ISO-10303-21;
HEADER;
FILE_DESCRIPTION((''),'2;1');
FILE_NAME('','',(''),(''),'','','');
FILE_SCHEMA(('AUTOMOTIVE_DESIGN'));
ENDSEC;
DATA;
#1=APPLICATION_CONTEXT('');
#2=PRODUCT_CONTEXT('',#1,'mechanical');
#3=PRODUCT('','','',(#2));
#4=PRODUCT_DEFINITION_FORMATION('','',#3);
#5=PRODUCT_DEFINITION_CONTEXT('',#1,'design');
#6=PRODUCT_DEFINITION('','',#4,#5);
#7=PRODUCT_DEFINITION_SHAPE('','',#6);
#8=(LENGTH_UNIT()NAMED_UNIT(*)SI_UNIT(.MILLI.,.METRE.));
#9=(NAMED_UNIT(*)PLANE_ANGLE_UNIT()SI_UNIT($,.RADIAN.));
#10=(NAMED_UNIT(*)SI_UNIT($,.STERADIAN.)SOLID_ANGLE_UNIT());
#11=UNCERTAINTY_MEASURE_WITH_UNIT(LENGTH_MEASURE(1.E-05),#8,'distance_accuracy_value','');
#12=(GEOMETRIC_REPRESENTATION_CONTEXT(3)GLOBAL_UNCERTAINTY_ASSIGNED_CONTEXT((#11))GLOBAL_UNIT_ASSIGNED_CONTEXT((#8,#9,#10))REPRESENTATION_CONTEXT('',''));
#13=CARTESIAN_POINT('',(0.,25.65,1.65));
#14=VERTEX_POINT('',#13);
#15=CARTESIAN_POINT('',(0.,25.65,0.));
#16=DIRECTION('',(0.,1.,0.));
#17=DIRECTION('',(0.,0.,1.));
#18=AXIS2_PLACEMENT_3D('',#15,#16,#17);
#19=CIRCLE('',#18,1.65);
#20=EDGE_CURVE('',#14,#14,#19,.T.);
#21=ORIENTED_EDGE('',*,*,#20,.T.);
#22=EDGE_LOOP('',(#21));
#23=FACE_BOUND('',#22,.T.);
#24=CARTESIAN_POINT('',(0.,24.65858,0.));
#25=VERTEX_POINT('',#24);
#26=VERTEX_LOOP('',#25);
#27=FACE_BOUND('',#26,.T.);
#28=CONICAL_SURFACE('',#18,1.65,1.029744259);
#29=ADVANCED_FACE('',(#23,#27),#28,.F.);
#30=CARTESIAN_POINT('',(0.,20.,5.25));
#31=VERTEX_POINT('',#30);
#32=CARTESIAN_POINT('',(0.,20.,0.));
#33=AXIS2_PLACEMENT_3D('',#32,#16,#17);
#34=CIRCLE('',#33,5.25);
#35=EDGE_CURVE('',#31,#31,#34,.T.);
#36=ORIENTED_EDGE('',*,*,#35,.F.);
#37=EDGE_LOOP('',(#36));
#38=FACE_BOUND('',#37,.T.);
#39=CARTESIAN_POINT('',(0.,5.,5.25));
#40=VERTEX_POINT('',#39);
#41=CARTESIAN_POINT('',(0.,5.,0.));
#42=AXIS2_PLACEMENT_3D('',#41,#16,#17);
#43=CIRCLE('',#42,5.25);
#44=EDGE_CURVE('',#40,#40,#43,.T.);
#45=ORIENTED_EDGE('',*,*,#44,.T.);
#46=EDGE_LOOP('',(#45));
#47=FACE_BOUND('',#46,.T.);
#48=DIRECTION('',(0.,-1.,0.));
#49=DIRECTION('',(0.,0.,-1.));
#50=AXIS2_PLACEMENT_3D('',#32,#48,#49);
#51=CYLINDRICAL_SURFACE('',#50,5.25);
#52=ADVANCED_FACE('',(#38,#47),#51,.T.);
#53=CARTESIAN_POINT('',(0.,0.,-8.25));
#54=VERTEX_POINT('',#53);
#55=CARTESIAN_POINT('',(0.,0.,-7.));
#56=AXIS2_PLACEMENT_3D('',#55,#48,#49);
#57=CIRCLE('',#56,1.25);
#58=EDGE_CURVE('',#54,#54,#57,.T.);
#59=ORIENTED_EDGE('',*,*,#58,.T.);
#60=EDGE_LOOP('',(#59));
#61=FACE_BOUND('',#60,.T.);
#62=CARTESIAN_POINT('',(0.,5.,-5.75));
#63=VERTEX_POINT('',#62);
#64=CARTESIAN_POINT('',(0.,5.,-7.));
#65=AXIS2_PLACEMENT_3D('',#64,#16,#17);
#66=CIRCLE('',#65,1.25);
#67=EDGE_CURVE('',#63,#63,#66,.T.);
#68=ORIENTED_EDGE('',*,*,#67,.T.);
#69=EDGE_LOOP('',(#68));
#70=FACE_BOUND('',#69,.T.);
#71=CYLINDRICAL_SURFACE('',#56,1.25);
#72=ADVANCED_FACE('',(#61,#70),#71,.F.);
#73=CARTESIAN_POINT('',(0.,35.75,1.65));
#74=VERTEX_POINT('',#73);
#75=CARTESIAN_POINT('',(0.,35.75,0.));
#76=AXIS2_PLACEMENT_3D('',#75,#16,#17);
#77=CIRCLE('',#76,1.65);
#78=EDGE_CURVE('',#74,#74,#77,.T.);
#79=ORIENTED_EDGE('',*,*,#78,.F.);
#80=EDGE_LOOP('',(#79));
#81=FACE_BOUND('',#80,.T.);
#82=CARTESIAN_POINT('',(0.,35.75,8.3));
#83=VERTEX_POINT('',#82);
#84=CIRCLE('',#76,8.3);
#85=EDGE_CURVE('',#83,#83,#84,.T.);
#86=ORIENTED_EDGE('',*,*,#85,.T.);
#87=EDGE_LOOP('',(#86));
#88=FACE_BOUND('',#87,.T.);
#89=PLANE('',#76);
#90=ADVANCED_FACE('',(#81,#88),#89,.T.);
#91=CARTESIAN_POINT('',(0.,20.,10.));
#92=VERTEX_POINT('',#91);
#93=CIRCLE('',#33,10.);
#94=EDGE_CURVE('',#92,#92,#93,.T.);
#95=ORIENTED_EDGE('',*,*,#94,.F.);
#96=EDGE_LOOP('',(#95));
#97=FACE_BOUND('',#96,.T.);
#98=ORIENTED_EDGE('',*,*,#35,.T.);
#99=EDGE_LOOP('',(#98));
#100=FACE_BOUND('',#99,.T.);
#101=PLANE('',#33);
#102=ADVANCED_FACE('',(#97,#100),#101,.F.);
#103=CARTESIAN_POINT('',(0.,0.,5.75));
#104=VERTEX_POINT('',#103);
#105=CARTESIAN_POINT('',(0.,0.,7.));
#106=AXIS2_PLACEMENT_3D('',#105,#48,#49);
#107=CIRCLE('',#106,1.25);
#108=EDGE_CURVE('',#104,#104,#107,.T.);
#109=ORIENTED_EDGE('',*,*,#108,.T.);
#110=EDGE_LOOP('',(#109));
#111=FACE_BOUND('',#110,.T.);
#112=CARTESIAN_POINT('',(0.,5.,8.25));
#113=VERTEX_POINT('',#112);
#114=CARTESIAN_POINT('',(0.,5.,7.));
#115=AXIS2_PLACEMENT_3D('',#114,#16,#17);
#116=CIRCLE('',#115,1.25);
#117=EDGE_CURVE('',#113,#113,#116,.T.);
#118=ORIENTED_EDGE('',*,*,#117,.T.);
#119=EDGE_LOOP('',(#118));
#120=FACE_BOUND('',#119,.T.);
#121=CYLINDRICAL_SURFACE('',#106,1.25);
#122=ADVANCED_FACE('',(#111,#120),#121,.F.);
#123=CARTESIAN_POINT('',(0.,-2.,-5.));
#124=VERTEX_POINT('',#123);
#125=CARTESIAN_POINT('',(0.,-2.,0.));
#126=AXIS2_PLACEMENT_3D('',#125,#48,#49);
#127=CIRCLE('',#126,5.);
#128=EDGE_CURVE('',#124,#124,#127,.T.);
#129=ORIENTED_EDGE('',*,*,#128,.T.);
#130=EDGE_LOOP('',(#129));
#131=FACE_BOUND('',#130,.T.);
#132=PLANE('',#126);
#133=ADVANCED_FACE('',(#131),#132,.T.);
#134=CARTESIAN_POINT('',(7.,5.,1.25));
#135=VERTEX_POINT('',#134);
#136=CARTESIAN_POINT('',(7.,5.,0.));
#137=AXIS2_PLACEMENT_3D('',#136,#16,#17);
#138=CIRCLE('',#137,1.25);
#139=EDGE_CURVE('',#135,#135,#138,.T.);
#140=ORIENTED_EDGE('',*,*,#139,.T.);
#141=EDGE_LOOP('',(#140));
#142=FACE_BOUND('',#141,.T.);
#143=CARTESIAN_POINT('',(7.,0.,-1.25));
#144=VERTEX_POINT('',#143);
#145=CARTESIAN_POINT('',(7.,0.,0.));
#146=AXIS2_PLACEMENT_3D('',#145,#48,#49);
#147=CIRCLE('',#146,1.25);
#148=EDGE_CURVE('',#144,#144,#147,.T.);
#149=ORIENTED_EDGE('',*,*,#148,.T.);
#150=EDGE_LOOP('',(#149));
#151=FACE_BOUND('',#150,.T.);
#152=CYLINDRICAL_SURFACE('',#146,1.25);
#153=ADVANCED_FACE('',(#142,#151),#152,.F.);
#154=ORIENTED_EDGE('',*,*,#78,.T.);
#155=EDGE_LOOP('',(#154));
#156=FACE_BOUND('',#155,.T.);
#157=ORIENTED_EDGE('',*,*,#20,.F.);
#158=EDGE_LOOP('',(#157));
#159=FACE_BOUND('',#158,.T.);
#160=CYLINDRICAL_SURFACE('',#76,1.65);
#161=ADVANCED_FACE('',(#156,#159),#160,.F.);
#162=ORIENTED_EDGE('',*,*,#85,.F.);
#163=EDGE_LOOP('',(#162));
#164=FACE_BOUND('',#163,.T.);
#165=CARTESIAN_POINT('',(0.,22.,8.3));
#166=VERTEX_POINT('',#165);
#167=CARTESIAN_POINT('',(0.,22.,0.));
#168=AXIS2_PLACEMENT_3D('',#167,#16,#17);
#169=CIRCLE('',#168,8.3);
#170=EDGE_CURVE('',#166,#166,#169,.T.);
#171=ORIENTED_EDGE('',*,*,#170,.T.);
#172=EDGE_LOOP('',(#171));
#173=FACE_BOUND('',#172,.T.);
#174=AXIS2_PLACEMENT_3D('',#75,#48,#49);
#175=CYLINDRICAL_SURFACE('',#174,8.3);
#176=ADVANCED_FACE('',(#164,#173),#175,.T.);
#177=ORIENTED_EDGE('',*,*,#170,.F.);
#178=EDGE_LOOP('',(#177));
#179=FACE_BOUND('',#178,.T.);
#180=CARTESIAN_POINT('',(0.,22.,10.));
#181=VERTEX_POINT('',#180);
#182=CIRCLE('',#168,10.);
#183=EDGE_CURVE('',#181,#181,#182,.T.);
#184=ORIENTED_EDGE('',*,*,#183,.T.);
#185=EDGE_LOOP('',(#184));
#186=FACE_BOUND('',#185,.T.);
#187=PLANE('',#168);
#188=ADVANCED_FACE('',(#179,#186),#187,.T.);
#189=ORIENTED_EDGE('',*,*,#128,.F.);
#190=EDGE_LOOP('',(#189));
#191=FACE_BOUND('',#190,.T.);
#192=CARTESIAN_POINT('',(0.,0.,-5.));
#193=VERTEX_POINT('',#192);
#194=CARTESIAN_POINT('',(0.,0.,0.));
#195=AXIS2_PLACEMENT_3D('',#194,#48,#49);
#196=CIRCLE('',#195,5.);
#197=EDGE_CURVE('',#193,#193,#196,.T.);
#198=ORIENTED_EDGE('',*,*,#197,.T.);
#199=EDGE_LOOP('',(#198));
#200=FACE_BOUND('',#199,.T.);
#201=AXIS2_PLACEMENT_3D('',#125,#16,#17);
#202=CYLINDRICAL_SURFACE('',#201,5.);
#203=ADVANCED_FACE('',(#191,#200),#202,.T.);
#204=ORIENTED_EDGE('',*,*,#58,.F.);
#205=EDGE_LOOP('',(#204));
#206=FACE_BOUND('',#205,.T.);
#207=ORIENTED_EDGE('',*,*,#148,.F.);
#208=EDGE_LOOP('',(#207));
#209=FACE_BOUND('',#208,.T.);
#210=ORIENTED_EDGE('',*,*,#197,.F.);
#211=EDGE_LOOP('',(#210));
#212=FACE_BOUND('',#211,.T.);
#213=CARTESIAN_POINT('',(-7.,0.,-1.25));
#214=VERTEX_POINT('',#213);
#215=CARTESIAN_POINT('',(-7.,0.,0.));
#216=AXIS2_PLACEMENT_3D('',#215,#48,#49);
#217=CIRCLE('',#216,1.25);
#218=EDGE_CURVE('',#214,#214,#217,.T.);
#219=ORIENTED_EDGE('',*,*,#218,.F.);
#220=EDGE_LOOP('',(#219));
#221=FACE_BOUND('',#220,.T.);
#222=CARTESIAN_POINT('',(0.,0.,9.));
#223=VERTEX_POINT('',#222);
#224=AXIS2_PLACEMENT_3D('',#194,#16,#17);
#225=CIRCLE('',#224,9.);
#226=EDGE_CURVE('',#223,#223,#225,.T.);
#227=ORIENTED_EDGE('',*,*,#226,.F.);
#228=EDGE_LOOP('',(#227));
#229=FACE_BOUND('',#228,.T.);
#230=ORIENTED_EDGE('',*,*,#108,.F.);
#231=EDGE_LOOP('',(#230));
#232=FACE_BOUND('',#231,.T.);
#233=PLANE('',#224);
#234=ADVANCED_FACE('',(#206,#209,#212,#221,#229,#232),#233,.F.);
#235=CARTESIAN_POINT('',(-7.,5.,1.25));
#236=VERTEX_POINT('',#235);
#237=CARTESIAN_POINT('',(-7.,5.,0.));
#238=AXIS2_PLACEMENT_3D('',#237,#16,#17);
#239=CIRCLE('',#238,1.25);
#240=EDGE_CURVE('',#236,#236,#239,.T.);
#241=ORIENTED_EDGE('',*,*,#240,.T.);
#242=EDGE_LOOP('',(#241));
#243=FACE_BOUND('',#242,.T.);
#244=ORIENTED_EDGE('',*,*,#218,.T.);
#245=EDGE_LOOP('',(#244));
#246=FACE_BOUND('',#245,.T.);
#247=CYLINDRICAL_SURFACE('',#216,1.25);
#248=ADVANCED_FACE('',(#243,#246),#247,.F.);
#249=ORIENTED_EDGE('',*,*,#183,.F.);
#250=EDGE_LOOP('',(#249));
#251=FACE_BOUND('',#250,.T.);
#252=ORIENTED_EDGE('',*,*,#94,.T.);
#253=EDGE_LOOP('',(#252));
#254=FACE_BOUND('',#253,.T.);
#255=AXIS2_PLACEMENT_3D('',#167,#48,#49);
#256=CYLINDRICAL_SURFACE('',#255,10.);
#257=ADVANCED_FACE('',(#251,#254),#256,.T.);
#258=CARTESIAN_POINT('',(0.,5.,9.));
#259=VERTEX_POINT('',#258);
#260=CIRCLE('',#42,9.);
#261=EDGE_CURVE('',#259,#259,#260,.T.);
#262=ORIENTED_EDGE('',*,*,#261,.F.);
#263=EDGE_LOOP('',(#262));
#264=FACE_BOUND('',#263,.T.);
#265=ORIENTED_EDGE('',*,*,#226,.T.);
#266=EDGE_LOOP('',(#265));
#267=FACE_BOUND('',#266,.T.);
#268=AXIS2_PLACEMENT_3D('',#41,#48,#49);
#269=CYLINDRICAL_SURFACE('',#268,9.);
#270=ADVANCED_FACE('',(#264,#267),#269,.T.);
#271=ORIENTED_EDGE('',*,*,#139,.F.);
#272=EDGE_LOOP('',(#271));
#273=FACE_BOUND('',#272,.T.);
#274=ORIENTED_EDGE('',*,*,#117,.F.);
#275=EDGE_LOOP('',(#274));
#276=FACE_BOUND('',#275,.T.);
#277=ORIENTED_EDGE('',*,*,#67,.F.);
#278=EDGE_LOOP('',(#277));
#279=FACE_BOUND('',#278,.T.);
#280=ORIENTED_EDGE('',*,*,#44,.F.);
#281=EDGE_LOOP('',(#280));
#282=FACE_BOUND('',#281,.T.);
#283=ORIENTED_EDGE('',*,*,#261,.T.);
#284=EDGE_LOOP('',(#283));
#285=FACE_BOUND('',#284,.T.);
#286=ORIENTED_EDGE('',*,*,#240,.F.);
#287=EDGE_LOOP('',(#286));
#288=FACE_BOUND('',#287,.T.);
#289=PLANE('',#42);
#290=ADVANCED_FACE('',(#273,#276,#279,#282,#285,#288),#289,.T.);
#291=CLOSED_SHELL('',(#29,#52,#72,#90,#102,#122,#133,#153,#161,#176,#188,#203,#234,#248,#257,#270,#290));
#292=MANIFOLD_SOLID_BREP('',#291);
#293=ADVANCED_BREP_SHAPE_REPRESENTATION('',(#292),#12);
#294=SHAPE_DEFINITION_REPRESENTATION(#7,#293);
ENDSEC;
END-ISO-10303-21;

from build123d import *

# Parameters (mm, degrees)
SKETCH_1_R             = 9
EXTRUDE_1_DEPTH        = 5
SKETCH_3_R             = 5.25
EXTRUDE_2_DEPTH        = 15
SKETCH_4_R             = 10
EXTRUDE_4_DEPTH        = 2
SKETCH_5_R             = 8.3
EXTRUDE_5_DEPTH        = 13.75
HOLE_WIZARD_M3_1_D     = 2.5
HOLE_WIZARD_M3_1_DEPTH = 5
SKETCH_8_R             = 5
EXTRUDE_6_DEPTH        = 2
HOLE_WIZARD_M4_3_D     = 3.3
HOLE_WIZARD_M4_3_DEPTH = 10.1
HOLE_WIZARD_M4_3_TIP   = 0.991420021


with BuildPart() as part:
    # 草图1 → 凸台-拉伸1 (new body)
    with BuildSketch(Plane(origin=(0, 0, 0), x_dir=(1, 0, 0), z_dir=(0, 1, 0))):
        with Locations(Location((0, 0, 0), (0, 0, 270))):
            Circle(SKETCH_1_R)
    extrude(amount=EXTRUDE_1_DEPTH)

    # 草图3 → 凸台-拉伸2 (add)
    with BuildSketch(Plane(origin=(0, 5, 0), x_dir=(1, 0, 0), z_dir=(0, 1, 0))):
        with Locations(Location((0, 0, 0), (0, 0, 270))):
            Circle(SKETCH_3_R)
    extrude(amount=EXTRUDE_2_DEPTH)

    # 草图4 → 凸台-拉伸4 (add)
    with BuildSketch(Plane(origin=(0, 20, 0), x_dir=(1, 0, 0), z_dir=(0, 1, 0))):
        with Locations(Location((0, 0, 0), (0, 0, 270))):
            Circle(SKETCH_4_R)
    extrude(amount=EXTRUDE_4_DEPTH)

    # 草图5 → 凸台-拉伸5 (add)
    with BuildSketch(Plane(origin=(0, 22, 0), x_dir=(1, 0, 0), z_dir=(0, 1, 0))):
        with Locations(Location((0, 0, 0), (0, 0, 270))):
            Circle(SKETCH_5_R)
    extrude(amount=EXTRUDE_5_DEPTH)

    # M3 螺纹孔1
    with Locations(Plane(origin=(0, 0, 0), x_dir=(-1, 0, 0), z_dir=(0, -1, 0))):
        with Locations((0, 7), (-7, 0), (7, 0), (0, -7)):
            Hole(HOLE_WIZARD_M3_1_D / 2, depth=HOLE_WIZARD_M3_1_DEPTH)

    # 草图8 → 凸台-拉伸6 (add)
    with BuildSketch(Plane.XZ):
        with Locations(Location((0, 0, 0), (0, 0, 270))):
            Circle(SKETCH_8_R)
    extrude(amount=EXTRUDE_6_DEPTH)

    # M4 螺纹孔3
    with Locations(Plane(origin=(0, 35.75, 0), x_dir=(1, 0, 0), z_dir=(0, 1, 0))):
        with Locations((0, 0)):
            Hole(HOLE_WIZARD_M4_3_D / 2, depth=HOLE_WIZARD_M4_3_DEPTH)
            with Locations((0, 0, -(HOLE_WIZARD_M4_3_DEPTH + HOLE_WIZARD_M4_3_TIP / 2))):  # 118° drill point
                Cone(0, HOLE_WIZARD_M4_3_D / 2, HOLE_WIZARD_M4_3_TIP, mode=Mode.SUBTRACT)


solid = part.part
